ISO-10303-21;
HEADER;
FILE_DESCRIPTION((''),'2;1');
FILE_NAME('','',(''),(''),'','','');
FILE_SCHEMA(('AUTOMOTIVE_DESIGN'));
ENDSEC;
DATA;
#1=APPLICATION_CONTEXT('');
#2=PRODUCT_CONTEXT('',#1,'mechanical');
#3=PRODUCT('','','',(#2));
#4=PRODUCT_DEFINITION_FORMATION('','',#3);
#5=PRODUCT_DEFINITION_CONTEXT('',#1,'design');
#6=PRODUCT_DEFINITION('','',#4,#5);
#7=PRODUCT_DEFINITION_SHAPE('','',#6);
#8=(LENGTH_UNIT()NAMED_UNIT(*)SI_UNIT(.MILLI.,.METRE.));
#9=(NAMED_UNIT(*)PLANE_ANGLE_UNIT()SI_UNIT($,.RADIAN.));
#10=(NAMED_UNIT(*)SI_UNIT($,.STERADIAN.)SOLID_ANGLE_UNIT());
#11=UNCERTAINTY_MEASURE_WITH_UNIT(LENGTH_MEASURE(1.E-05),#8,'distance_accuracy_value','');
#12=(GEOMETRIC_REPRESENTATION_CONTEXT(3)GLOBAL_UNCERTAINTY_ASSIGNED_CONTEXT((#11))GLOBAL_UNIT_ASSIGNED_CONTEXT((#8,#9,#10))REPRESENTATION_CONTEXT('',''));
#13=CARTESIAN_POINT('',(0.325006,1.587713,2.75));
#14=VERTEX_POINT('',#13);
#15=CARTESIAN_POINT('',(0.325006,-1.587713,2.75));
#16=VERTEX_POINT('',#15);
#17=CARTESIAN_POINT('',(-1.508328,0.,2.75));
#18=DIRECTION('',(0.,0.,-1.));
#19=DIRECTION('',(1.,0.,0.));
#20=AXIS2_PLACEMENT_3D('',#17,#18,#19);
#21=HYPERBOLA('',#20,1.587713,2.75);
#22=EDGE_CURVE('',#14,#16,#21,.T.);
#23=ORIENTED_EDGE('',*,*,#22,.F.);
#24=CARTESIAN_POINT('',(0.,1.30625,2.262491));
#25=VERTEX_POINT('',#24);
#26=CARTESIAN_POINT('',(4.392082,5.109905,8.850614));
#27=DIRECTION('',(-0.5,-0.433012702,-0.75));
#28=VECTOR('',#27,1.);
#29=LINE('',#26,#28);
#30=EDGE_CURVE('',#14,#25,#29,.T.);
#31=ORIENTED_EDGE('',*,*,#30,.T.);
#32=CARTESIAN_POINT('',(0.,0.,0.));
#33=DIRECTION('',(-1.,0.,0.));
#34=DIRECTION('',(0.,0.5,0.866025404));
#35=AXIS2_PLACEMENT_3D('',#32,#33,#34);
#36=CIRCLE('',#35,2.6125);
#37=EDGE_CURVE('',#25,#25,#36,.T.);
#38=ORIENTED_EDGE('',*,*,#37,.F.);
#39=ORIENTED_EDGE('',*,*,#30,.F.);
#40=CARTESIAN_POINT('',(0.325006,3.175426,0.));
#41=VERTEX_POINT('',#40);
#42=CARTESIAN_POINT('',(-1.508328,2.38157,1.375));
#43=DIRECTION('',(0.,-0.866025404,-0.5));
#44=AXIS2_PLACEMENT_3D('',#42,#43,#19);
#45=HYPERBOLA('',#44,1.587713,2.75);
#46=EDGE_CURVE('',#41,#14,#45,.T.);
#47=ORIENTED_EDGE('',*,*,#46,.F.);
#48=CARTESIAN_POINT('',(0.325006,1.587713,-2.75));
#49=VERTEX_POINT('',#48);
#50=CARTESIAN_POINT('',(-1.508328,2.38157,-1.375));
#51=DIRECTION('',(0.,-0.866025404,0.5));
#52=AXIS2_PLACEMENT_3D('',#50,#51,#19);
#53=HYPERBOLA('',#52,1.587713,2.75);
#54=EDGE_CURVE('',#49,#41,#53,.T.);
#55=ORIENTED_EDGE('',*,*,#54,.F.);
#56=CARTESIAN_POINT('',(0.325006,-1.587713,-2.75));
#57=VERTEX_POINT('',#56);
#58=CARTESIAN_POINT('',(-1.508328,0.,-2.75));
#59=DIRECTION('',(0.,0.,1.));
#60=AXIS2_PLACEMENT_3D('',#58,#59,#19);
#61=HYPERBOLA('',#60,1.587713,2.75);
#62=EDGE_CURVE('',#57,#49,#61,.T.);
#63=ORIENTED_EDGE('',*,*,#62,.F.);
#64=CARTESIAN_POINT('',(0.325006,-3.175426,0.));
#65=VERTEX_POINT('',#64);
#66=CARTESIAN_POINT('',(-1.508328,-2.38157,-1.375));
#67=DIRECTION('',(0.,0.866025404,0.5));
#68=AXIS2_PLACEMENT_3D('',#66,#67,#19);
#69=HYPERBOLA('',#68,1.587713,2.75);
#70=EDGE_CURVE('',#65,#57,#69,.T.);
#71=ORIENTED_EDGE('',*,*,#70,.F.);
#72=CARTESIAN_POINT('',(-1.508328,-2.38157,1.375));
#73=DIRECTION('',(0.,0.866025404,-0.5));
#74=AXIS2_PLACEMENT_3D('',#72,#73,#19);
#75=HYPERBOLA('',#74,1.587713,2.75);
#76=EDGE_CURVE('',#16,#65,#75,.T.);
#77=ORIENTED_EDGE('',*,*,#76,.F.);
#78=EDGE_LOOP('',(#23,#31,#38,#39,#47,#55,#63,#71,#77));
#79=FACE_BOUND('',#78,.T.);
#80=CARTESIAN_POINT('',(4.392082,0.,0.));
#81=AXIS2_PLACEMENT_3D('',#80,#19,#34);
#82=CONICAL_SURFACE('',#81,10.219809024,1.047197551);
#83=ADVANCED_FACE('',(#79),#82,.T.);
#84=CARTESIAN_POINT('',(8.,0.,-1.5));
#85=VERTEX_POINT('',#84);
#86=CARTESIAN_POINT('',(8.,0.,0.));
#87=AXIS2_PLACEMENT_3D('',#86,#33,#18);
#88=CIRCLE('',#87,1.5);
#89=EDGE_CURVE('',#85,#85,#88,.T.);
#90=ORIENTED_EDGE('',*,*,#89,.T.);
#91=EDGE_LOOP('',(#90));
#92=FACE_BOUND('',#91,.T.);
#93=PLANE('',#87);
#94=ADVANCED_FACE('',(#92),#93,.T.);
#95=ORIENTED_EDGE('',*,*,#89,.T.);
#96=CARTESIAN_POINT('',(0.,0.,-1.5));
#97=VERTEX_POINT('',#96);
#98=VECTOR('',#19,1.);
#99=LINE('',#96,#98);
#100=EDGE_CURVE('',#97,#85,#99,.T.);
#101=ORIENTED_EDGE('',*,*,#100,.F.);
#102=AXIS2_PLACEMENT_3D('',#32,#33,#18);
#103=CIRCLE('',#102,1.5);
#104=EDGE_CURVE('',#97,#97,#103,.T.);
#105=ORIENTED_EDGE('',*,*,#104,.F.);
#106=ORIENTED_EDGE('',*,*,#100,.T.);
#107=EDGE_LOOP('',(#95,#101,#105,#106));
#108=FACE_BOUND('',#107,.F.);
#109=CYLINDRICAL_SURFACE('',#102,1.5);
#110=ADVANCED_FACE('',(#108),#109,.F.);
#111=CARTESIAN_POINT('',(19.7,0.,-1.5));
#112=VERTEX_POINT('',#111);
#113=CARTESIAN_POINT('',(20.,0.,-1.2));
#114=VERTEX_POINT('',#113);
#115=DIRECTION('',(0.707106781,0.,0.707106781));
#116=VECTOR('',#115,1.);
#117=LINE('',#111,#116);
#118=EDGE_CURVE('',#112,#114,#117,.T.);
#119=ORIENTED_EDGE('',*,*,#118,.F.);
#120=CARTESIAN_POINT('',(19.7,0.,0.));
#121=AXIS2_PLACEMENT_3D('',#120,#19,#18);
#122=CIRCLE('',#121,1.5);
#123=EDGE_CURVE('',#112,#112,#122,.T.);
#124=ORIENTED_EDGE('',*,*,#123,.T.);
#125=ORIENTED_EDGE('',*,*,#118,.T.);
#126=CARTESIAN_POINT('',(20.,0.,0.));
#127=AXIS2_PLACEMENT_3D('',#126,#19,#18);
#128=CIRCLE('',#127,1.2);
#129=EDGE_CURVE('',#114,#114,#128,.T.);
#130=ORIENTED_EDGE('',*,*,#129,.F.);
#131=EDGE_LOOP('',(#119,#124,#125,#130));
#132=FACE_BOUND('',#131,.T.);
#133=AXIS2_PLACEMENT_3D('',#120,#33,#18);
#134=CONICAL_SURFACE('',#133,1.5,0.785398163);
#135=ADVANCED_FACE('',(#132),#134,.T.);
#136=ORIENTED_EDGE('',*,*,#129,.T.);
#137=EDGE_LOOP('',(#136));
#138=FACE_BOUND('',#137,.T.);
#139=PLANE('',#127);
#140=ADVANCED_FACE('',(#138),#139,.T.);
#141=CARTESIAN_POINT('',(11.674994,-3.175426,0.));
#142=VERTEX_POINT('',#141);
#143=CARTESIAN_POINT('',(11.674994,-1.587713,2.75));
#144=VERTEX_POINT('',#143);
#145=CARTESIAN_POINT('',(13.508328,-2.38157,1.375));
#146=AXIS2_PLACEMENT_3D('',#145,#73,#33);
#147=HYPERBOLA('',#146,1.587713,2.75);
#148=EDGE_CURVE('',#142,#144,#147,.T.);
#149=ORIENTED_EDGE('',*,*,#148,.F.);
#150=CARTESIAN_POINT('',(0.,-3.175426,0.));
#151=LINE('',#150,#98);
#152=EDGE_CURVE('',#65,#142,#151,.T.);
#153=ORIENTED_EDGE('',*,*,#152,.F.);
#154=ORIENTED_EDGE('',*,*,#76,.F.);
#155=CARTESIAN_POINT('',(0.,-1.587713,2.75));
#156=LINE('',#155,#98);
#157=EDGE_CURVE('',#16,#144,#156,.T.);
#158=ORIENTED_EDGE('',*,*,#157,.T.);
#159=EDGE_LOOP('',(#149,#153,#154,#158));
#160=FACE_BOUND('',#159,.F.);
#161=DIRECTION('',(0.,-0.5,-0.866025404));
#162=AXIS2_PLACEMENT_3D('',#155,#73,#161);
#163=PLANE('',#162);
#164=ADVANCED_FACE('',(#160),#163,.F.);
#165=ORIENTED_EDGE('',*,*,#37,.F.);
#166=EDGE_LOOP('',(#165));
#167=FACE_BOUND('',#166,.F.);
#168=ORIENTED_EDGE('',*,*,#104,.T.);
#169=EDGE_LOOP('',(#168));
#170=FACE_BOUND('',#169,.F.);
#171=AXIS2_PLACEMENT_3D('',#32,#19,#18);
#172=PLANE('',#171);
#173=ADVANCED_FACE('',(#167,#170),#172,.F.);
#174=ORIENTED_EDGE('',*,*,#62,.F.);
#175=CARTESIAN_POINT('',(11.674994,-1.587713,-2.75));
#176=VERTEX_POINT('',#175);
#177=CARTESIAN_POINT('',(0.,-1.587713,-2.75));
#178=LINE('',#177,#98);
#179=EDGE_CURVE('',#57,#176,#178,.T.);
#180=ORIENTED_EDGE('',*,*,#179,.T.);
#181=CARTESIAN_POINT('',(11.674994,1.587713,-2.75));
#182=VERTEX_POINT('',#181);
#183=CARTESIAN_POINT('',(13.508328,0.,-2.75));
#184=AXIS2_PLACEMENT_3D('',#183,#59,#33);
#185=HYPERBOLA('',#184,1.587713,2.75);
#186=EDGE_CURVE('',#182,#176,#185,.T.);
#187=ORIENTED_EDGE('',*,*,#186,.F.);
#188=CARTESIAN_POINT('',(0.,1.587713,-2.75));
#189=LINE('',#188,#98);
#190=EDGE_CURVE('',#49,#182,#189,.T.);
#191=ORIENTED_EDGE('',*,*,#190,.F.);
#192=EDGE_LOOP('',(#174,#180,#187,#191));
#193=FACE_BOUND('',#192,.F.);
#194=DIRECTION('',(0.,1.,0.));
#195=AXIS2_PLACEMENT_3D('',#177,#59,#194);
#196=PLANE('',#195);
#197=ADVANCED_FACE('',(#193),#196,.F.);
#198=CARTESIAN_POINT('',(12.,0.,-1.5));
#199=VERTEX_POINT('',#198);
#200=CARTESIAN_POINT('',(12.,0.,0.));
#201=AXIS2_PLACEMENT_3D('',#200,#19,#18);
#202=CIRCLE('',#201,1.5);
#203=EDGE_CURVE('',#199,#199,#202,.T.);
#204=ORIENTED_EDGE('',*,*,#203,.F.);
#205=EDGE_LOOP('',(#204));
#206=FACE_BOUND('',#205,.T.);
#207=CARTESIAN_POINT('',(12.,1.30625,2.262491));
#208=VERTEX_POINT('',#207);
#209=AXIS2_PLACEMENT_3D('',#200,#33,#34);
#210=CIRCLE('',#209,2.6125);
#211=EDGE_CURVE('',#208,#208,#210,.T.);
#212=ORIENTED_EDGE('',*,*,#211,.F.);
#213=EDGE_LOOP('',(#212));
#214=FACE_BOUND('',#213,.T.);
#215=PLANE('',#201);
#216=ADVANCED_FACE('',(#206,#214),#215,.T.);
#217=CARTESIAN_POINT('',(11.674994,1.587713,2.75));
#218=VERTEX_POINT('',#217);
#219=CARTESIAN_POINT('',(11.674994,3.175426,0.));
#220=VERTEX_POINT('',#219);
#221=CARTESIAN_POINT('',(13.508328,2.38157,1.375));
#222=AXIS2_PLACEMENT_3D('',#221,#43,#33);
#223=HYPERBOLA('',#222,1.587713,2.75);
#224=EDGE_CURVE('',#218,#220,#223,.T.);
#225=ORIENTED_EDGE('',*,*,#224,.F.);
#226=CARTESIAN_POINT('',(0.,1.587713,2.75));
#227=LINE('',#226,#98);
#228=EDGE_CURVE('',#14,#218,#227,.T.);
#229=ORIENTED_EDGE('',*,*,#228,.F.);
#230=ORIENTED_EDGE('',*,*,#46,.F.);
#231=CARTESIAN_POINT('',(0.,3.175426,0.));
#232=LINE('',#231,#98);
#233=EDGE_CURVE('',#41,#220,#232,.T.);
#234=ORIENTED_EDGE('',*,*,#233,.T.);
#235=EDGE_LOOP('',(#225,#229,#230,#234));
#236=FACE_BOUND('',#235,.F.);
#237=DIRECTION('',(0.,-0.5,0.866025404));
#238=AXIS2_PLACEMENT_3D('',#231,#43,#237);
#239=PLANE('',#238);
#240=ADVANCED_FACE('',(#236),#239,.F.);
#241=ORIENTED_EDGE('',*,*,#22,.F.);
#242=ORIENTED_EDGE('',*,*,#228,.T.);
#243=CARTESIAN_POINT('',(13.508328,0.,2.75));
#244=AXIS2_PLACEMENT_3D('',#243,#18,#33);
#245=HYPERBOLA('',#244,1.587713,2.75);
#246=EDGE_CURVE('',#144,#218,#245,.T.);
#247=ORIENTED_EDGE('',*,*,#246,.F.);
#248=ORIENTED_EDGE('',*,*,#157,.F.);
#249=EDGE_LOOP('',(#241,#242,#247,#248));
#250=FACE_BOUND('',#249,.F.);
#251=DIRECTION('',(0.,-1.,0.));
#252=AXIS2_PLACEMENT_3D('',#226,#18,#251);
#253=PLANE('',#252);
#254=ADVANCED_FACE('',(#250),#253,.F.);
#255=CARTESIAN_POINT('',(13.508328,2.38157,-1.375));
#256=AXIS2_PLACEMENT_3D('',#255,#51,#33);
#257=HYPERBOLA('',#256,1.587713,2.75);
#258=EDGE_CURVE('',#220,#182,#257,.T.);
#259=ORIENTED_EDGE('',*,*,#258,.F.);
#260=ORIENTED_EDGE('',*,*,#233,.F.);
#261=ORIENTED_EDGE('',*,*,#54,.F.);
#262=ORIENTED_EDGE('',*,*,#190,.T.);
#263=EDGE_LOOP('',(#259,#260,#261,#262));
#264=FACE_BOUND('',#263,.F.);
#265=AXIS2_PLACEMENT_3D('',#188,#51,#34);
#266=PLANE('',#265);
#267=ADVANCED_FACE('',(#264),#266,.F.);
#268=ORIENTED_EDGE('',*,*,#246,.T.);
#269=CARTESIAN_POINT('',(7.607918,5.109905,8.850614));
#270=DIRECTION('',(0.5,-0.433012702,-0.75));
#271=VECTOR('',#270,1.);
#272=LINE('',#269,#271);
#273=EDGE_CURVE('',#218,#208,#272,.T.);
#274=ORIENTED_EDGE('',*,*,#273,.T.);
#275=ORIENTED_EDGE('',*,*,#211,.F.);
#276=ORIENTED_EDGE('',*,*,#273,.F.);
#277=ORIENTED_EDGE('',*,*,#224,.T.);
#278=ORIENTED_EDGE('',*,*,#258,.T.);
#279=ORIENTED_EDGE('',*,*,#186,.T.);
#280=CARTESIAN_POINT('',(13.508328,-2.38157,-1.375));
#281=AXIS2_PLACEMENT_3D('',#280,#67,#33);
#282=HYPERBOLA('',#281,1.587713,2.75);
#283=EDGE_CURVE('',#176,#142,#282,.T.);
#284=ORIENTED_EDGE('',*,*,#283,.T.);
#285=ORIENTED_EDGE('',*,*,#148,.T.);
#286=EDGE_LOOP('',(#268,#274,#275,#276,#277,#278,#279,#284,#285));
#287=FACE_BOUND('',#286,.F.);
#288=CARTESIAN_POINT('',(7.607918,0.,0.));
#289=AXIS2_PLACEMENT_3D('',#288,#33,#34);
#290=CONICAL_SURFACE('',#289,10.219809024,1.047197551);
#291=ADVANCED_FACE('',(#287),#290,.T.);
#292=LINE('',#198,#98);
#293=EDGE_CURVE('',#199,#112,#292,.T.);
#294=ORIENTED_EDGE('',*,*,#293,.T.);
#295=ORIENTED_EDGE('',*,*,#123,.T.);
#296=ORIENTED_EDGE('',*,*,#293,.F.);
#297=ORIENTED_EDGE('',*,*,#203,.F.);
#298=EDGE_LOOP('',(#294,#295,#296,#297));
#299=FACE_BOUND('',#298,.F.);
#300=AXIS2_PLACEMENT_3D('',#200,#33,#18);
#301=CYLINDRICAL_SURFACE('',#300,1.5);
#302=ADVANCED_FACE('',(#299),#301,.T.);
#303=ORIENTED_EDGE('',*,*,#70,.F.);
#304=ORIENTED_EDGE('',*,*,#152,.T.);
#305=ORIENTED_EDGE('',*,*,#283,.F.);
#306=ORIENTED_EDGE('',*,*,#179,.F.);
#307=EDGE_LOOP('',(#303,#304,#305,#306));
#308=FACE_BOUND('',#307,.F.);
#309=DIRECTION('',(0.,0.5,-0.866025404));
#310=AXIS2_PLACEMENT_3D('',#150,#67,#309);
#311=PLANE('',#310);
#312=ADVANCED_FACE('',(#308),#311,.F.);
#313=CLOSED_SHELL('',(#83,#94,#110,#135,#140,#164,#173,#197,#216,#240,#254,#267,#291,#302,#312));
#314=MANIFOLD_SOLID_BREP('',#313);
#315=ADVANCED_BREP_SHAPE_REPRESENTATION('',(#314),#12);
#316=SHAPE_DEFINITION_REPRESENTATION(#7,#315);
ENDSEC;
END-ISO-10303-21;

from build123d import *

# Parameters (mm, degrees)
BOSS_EXTRUDE1_DEPTH = 12
SKETCH2_R           = 1.5
BOSS_EXTRUDE2_DEPTH = 8
SKETCH3_R           = 1.5
CUT_EXTRUDE1_DEPTH  = 8
CHAMFER1_SIZE       = 0.3


with BuildPart() as part:
    # Sketch1 → Boss-Extrude1 (new body)
    with BuildSketch(Plane(origin=(0, 0, 0), x_dir=(0, 0, -1), z_dir=(1, 0, 0))):
        Polygon((0, 3.175426481), (-2.75, 1.58771324), (-2.75, -1.58771324), (0, -3.175426481), (2.75, -1.58771324), (2.75, 1.58771324), align=None)
    extrude(amount=BOSS_EXTRUDE1_DEPTH)

    # Sketch2 → Boss-Extrude2 (add)
    with BuildSketch(Plane(origin=(12, 0, 0), x_dir=(0, 0, -1), z_dir=(1, 0, 0))):
        Circle(SKETCH2_R)
    extrude(amount=BOSS_EXTRUDE2_DEPTH)

    # Sketch3 → Cut-Extrude1 (cut)
    with BuildSketch(Plane.ZY):
        with Locations(Location((0, 0, 0), (0, 0, 180))):
            Circle(SKETCH3_R)
    extrude(amount=-CUT_EXTRUDE1_DEPTH, mode=Mode.SUBTRACT)

    # Sketch4 → Cut-Revolve1 (revolve, cut)
    with BuildSketch(Plane(origin=(0, 0, 0), x_dir=(1, 0, 0), z_dir=(0, 1, 0)), mode=Mode.PRIVATE) as cut_revolve1_sk:
        Polygon((0, 10.219809024), (4.392081913, 10.219809024), (0, 2.6125), align=None)
        Polygon((12, 2.6125), (12, 10.219809024), (7.607918087, 10.219809024), align=None)
    revolve(cut_revolve1_sk.sketch.rotate(Axis((0, 0, 0), (-1, 0, 0)), 210.000000006), axis=Axis((0, 0, 0), (-1, 0, 0)), mode=Mode.SUBTRACT)

    # Chamfer1
    chamfer1_edges = [part.edges().sort_by_distance(p)[0] for p in [
        (20, 0, 1.5),
    ]]
    chamfer(chamfer1_edges, length=CHAMFER1_SIZE)


solid = part.part
